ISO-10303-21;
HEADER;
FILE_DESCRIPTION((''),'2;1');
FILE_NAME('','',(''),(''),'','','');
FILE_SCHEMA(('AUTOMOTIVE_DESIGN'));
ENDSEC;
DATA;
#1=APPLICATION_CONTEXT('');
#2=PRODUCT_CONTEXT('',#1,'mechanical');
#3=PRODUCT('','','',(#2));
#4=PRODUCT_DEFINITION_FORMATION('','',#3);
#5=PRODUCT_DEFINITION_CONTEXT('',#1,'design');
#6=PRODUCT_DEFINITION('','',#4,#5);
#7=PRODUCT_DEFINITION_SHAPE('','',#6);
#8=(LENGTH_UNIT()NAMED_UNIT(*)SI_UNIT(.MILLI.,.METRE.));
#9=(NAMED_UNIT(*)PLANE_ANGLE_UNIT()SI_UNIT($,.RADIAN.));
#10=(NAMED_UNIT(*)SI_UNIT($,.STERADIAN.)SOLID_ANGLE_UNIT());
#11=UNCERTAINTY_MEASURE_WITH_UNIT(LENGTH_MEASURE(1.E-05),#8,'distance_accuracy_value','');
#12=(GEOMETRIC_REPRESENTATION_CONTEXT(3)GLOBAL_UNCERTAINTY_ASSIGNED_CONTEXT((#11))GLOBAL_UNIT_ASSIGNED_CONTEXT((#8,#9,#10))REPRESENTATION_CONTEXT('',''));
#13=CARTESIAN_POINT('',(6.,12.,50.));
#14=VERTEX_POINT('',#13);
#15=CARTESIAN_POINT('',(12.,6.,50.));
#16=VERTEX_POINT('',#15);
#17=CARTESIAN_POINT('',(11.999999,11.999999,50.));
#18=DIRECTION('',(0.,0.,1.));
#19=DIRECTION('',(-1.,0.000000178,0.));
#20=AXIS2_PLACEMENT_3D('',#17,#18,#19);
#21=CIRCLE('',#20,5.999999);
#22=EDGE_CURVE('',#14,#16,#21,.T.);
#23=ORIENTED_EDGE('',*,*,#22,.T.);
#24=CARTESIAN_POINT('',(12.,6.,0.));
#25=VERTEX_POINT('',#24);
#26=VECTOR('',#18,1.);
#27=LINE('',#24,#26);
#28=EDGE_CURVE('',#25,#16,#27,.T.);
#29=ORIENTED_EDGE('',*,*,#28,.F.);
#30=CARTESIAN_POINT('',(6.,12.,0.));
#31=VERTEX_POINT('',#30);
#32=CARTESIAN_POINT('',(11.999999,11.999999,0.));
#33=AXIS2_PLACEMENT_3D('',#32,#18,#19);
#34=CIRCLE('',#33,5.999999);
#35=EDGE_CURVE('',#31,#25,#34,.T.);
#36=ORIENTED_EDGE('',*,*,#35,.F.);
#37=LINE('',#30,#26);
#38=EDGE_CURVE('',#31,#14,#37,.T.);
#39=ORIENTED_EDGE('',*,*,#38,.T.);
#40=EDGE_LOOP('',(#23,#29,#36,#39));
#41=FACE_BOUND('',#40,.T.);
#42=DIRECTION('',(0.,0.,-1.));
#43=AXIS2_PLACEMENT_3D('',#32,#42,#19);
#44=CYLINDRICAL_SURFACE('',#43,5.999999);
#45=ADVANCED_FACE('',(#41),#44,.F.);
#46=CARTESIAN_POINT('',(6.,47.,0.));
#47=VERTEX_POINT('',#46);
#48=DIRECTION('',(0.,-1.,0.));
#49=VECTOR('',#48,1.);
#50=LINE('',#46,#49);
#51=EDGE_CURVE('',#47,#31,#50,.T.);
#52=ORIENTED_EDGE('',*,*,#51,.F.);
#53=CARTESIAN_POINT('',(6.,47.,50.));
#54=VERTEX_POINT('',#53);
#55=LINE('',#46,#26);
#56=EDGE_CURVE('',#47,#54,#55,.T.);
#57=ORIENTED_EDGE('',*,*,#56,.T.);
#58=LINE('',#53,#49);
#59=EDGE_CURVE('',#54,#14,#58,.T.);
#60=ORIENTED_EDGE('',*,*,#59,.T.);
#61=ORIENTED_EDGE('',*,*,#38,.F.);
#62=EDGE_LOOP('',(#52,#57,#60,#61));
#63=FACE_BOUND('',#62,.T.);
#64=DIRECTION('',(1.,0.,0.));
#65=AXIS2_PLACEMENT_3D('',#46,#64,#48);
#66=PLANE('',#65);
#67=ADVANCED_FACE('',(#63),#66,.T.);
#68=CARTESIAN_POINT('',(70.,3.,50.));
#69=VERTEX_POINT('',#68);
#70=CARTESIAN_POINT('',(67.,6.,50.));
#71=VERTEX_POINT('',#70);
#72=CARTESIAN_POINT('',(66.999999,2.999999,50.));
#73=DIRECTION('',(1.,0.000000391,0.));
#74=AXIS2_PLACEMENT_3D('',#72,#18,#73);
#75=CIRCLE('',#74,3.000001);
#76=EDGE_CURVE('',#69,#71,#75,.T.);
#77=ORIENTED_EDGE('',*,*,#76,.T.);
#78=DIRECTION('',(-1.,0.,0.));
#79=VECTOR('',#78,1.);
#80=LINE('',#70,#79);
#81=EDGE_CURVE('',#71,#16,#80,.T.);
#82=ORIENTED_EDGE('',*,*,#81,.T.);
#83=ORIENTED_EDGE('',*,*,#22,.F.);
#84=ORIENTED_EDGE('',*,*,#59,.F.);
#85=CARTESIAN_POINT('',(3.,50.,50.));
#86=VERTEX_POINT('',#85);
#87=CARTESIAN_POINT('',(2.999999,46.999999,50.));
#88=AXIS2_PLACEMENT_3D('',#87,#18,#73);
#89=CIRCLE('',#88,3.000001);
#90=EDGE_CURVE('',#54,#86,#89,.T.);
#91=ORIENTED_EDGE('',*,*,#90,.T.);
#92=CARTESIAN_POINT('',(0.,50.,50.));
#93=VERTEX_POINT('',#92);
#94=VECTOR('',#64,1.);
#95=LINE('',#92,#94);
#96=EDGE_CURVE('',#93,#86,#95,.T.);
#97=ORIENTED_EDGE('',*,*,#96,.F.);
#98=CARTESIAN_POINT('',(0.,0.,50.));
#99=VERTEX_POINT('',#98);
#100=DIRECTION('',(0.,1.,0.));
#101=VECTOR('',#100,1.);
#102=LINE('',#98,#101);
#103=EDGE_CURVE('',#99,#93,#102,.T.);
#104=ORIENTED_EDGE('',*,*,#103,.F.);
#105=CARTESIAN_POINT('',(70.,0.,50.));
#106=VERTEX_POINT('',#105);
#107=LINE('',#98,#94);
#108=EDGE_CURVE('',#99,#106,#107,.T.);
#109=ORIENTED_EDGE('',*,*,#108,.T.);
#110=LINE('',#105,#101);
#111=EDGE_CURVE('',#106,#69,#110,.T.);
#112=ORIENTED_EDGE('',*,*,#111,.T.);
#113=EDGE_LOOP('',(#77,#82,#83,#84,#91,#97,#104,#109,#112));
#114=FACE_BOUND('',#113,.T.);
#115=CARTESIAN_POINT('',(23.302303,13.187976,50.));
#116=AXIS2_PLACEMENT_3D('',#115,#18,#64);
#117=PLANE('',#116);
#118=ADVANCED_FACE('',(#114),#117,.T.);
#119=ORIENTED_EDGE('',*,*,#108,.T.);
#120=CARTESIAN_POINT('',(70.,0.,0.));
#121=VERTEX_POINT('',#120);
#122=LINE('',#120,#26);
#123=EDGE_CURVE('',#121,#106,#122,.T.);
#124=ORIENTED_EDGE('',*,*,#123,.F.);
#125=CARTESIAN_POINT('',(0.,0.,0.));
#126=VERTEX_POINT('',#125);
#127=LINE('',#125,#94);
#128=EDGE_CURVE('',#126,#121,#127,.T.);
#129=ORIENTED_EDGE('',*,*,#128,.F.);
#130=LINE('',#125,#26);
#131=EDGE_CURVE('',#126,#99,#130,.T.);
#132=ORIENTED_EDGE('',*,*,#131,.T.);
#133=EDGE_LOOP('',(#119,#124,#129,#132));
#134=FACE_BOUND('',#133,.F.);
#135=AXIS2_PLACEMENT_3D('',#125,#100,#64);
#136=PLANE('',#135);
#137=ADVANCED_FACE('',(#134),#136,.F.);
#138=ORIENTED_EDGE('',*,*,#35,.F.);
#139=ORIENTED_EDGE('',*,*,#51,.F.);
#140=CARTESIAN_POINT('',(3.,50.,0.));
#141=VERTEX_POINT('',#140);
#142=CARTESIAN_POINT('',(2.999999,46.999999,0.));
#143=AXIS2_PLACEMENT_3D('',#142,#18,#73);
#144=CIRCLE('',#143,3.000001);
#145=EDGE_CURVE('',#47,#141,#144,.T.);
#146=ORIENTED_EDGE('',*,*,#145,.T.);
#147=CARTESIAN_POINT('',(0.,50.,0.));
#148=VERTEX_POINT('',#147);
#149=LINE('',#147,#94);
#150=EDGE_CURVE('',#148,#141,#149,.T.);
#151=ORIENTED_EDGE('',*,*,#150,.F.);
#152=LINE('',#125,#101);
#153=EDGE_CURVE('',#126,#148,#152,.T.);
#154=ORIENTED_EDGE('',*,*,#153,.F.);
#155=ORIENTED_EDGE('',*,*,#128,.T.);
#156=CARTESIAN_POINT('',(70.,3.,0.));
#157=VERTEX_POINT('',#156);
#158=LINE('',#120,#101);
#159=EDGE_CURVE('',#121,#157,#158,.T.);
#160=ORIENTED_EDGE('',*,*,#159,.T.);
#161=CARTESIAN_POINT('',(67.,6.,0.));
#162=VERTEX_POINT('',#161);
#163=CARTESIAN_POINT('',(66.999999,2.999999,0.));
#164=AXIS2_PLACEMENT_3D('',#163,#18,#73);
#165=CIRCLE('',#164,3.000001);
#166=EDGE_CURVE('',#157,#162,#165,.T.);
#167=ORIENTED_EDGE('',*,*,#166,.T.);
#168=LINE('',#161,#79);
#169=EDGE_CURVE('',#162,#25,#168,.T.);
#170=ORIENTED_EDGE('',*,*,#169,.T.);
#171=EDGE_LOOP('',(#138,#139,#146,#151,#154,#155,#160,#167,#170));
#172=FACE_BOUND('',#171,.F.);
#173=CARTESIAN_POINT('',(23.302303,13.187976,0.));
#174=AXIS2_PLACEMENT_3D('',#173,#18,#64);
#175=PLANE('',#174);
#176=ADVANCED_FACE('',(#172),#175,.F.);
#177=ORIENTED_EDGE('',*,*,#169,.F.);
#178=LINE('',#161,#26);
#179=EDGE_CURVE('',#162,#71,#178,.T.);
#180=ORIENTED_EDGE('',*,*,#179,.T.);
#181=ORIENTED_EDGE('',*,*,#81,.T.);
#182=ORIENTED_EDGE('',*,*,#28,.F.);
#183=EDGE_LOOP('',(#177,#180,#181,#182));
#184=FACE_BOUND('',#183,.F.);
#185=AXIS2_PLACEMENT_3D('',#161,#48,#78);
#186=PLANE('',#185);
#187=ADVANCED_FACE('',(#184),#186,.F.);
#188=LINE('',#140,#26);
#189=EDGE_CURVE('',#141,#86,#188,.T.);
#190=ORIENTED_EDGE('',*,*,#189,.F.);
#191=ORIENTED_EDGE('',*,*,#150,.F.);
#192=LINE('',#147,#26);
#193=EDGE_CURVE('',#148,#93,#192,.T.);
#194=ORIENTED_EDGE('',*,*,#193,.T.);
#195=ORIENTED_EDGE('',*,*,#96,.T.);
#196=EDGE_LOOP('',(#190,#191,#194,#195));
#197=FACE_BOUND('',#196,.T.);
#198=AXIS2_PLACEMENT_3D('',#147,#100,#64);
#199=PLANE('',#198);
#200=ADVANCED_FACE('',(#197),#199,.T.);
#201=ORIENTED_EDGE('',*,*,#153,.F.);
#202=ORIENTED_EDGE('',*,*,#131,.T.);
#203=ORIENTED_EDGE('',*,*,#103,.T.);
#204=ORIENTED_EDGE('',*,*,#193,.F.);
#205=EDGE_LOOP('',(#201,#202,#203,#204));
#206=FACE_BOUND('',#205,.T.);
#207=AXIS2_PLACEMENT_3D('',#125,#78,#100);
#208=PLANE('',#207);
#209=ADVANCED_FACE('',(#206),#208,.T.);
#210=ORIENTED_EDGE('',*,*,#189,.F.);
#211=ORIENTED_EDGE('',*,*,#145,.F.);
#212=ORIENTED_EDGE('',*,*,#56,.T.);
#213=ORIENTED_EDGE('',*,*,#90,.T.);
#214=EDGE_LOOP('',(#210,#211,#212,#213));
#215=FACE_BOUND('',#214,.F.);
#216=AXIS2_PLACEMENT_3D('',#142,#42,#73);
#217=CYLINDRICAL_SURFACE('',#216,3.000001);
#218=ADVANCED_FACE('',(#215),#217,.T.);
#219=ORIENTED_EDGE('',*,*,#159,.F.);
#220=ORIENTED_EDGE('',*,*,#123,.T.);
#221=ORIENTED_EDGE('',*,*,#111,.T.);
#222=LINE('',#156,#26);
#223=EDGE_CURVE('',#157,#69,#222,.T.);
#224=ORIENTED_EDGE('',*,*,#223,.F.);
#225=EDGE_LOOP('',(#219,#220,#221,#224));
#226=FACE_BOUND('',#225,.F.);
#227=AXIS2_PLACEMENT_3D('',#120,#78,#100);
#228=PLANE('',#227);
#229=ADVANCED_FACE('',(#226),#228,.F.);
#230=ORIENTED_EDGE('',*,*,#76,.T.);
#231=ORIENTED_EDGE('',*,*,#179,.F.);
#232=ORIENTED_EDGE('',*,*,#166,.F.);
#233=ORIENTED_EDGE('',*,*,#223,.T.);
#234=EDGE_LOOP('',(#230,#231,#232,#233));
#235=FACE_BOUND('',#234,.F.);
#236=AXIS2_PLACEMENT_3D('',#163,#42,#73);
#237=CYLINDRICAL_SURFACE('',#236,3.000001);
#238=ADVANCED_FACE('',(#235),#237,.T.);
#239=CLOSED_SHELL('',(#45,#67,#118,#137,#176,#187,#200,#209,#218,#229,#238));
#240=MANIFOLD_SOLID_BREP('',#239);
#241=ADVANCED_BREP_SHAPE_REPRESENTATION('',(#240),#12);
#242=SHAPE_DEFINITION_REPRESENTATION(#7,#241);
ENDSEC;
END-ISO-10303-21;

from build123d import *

# Parameters (mm, degrees)
EXTRUDE_DEPTH = 50


with BuildPart() as part:
    # Sketch → Extrude (new body)
    with BuildSketch(Plane.XY):
        with BuildLine():
            Line((0, 0), (70, 0))
            Line((70, 0), (70, 3))
            ThreePointArc((70, 3), (69.12132, 5.12132), (67, 6))
            Line((67, 6), (12, 6))
            ThreePointArc((6, 12), (7.757359, 7.757359), (12, 6))
            Line((6, 47), (6, 12))
            ThreePointArc((6, 47), (5.12132, 49.12132), (3, 50))
            Line((0, 50), (3, 50))
            Line((0, 0), (0, 50))
        make_face()
    extrude(amount=EXTRUDE_DEPTH)


solid = part.part
